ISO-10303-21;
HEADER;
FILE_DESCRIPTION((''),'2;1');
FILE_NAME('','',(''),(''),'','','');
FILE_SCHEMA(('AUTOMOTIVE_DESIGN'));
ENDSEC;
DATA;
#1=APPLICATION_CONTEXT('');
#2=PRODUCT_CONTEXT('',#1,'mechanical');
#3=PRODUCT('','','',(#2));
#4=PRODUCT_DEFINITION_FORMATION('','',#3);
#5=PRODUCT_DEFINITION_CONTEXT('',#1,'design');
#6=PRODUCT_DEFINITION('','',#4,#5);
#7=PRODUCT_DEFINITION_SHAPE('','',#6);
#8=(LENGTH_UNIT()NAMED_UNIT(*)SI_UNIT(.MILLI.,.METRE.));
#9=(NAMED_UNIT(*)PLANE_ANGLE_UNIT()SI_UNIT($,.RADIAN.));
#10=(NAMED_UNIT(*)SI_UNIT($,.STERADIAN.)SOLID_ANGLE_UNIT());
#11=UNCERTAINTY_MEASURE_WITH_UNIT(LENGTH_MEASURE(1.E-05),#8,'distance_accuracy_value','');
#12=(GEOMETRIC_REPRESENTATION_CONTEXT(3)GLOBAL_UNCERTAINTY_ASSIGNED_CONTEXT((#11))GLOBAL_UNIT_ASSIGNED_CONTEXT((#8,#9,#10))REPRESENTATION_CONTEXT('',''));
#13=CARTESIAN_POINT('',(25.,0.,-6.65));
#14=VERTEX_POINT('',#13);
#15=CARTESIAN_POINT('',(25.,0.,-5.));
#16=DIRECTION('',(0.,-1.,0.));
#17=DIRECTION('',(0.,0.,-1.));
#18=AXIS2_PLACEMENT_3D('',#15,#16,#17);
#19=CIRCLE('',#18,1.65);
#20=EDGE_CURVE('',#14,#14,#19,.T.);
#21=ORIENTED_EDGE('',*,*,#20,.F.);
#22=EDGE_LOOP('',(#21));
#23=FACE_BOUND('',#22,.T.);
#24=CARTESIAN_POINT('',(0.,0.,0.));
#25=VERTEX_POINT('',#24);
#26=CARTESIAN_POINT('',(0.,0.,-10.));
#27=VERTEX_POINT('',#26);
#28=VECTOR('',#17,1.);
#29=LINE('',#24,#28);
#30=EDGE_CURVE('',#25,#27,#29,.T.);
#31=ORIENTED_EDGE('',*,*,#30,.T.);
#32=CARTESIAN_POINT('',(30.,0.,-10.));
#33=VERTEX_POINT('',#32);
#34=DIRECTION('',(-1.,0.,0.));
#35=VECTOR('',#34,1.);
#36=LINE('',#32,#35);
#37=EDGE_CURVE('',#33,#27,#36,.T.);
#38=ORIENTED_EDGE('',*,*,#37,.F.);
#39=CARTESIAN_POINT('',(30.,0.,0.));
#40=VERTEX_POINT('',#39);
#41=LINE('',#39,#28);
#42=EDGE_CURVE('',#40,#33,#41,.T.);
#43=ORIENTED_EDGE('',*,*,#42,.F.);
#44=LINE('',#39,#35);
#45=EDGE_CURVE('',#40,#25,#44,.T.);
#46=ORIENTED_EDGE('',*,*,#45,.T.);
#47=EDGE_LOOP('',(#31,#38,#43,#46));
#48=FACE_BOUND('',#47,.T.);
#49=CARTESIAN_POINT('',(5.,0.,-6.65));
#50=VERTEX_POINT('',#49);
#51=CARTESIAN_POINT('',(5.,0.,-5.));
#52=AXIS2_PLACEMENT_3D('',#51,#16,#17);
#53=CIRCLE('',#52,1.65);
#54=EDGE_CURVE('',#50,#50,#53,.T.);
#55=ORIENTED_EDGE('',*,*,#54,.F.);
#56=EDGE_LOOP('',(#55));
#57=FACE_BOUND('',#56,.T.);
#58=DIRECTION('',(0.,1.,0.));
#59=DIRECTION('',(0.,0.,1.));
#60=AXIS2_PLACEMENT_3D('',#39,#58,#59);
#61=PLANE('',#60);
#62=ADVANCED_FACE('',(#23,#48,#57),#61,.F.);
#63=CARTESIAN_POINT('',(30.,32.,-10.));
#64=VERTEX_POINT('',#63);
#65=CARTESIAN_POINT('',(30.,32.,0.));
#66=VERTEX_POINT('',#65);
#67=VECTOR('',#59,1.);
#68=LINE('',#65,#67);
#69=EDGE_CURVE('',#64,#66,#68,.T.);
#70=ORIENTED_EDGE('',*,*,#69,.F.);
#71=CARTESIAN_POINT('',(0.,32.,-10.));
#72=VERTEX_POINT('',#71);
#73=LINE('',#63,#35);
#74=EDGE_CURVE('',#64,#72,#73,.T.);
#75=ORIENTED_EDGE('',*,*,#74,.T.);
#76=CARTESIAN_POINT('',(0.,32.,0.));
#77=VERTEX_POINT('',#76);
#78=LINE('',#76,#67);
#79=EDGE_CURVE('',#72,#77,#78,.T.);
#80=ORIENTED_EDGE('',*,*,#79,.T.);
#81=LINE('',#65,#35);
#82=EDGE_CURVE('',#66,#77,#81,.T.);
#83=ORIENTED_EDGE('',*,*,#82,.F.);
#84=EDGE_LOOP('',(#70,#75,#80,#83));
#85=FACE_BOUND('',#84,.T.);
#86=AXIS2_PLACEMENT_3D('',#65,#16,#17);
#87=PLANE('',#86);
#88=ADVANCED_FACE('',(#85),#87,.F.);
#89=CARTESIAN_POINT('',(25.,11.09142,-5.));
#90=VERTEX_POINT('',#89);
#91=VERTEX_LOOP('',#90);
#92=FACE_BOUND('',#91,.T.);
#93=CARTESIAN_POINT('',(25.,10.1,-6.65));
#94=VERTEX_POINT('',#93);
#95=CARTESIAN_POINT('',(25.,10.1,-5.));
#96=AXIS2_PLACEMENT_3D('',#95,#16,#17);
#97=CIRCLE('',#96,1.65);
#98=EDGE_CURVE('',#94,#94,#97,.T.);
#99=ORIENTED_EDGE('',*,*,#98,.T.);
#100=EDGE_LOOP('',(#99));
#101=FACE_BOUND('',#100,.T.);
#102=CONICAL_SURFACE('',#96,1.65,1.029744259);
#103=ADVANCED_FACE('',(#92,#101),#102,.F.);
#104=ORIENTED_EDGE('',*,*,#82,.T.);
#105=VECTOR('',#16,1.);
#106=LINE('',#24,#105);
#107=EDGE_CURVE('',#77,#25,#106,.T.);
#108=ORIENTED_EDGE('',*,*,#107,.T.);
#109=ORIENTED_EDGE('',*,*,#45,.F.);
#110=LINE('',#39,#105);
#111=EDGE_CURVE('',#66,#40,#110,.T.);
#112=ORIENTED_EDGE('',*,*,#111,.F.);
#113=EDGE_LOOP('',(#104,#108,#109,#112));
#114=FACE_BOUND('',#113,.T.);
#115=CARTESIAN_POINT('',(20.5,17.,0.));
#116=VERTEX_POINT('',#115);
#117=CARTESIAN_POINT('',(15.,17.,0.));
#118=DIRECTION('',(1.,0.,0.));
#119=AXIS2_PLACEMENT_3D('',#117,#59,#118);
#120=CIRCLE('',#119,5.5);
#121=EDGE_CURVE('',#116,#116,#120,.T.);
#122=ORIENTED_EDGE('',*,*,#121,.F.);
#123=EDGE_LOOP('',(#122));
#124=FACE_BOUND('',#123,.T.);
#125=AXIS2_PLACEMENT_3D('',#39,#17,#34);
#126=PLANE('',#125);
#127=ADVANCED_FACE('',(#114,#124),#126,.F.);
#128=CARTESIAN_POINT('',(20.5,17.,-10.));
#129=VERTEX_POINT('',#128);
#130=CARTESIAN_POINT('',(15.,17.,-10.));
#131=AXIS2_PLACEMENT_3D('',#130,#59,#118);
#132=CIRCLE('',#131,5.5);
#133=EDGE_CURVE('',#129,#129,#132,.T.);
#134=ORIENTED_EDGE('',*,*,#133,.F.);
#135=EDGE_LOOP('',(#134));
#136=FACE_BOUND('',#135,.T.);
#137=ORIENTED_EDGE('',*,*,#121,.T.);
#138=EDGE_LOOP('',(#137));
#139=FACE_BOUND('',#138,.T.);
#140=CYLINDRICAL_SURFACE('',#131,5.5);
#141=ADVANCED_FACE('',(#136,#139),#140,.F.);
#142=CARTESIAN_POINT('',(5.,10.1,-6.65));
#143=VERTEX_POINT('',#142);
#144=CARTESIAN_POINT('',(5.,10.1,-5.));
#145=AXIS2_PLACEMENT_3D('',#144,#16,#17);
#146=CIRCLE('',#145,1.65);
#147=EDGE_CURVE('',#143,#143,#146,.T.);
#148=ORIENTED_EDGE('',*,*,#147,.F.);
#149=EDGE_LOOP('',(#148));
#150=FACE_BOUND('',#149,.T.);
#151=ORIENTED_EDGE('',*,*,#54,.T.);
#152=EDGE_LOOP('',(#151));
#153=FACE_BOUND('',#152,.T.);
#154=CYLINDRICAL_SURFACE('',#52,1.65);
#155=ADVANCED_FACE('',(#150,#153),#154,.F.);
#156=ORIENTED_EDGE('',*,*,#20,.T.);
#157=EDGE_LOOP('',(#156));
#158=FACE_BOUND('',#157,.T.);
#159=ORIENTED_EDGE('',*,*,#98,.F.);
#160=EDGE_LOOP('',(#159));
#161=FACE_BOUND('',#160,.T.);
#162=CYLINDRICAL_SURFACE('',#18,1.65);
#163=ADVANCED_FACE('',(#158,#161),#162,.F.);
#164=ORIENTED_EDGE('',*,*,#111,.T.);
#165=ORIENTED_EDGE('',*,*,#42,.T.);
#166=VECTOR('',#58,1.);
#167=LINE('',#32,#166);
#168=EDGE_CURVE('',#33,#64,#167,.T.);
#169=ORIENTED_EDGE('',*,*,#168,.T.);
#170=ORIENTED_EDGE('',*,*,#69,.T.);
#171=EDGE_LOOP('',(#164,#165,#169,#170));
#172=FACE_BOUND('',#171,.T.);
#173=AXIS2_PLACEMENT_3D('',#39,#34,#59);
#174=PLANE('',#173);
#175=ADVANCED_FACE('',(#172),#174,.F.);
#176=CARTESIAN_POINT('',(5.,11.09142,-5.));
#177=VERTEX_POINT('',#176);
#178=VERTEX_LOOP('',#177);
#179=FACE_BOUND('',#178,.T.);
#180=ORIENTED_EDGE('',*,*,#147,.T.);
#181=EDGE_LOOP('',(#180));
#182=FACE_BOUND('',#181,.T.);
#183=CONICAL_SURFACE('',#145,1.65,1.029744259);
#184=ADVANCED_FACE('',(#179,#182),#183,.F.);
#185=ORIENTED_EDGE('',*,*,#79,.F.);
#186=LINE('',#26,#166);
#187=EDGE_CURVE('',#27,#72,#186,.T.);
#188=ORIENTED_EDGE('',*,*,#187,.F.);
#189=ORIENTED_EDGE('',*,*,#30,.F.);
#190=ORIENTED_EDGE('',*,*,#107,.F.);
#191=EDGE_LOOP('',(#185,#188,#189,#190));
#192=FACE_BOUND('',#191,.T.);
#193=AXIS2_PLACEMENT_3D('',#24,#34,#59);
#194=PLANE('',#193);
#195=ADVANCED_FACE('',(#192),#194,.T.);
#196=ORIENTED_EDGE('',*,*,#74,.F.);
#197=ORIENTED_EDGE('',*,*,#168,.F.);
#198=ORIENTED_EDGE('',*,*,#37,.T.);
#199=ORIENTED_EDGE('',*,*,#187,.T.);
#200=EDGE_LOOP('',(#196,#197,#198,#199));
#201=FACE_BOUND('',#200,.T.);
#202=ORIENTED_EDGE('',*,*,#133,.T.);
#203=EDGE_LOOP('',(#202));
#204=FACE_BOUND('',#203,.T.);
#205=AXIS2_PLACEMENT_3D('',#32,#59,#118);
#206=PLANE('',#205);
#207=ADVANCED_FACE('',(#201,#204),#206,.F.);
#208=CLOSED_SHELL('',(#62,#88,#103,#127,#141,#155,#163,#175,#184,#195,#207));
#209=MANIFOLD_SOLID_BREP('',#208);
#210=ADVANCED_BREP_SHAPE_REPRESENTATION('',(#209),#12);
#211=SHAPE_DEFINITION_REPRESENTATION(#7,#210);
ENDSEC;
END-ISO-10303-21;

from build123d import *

# Parameters (mm, degrees)
SKETCH1_W             = 10
SKETCH1_H             = 32
BOSS_EXTRUDE1_DEPTH   = 30
M4_TAPPED_HOLE1_D     = 3.3
M4_TAPPED_HOLE1_DEPTH = 10.1
M4_TAPPED_HOLE1_TIP   = 0.991420021
SKETCH4_R             = 5.5
CUT_EXTRUDE2_DEPTH    = 10


with BuildPart() as part:
    # Sketch1 → Boss-Extrude1 (new body)
    with BuildSketch(Plane(origin=(0, 0, 0), x_dir=(0, 0, -1), z_dir=(1, 0, 0))):
        with Locations((5, 16)):
            Rectangle(SKETCH1_W, SKETCH1_H)
    extrude(amount=BOSS_EXTRUDE1_DEPTH)

    # M4 Tapped Hole1
    with Locations(Plane(origin=(0, 0, 0), x_dir=(-1, 0, 0), z_dir=(0, -1, 0))):
        with Locations((-5, 5), (-25, 5)):
            Hole(M4_TAPPED_HOLE1_D / 2, depth=M4_TAPPED_HOLE1_DEPTH)
            with Locations((0, 0, -(M4_TAPPED_HOLE1_DEPTH + M4_TAPPED_HOLE1_TIP / 2))):  # 118° drill point
                Cone(0, M4_TAPPED_HOLE1_D / 2, M4_TAPPED_HOLE1_TIP, mode=Mode.SUBTRACT)

    # Sketch4 → Cut-Extrude2 (cut)
    with BuildSketch(Plane.XY):
        with Locations((15, 17)):
            Circle(SKETCH4_R)
    extrude(amount=-CUT_EXTRUDE2_DEPTH, mode=Mode.SUBTRACT)


solid = part.part
